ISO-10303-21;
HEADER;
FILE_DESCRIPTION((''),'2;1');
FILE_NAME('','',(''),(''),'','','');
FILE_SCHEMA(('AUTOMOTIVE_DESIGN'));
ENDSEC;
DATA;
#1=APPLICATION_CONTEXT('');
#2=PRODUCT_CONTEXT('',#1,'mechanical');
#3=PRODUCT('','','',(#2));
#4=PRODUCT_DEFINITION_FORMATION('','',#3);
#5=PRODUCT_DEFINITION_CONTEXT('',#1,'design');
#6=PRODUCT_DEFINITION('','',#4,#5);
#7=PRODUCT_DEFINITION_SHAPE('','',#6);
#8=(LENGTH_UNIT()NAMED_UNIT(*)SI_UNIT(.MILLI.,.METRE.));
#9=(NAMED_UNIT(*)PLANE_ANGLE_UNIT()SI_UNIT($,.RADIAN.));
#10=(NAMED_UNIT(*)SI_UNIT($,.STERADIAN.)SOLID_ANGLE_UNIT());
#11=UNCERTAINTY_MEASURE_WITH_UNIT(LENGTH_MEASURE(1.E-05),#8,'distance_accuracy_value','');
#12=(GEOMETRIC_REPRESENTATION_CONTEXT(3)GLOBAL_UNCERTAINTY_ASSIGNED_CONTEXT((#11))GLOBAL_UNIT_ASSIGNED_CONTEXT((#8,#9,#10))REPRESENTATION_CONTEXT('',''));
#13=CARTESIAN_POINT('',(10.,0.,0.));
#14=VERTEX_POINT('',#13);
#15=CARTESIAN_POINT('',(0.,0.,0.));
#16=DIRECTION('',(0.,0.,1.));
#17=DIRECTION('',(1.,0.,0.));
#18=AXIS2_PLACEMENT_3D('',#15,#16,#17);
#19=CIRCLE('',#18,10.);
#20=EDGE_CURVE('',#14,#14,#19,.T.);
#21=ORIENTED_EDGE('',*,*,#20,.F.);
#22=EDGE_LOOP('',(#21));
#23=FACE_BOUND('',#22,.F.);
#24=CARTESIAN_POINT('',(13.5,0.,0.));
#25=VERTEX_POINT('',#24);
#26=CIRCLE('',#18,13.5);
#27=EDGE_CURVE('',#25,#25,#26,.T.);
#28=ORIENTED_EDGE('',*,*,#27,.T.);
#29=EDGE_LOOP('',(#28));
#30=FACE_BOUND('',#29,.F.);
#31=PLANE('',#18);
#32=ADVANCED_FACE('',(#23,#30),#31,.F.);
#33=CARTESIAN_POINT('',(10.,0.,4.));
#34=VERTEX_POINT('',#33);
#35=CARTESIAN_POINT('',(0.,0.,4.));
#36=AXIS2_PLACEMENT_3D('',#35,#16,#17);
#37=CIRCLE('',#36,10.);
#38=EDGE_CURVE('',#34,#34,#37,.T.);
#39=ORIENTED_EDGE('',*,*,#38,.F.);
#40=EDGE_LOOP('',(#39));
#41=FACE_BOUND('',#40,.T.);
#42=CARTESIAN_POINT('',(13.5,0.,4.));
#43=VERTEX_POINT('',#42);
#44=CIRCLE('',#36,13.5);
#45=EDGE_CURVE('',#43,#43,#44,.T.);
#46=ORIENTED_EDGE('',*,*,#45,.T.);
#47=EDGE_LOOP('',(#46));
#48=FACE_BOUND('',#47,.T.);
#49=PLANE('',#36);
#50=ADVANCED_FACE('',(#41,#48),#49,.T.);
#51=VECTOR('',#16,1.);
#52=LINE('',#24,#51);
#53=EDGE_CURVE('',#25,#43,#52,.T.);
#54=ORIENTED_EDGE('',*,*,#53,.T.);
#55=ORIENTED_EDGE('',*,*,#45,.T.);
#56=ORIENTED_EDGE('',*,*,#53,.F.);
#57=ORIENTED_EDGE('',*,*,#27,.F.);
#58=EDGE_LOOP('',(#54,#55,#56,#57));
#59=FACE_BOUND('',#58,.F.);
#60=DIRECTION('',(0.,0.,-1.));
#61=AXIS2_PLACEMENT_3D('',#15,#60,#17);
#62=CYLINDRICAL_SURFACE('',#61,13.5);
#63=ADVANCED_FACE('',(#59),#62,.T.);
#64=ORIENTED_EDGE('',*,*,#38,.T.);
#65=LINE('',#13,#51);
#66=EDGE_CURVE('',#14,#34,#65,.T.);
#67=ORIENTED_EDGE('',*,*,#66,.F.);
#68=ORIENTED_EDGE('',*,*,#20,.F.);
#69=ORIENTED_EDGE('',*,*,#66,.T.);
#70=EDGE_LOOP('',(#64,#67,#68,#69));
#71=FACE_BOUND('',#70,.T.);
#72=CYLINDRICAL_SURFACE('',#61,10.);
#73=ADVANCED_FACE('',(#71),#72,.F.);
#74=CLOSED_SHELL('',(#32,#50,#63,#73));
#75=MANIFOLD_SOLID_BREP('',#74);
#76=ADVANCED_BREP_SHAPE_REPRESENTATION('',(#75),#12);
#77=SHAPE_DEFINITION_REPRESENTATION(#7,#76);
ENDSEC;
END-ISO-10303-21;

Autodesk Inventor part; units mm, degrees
ref_plane "YZ Plane" through (0, 0, 0) normal (1, 0, 0) x (0, 1, 0)
ref_plane "XZ Plane" through (0, 0, 0) normal (0, 1, 0) x (-1, 0, 0)
ref_plane "XY Plane" through (0, 0, 0) normal (0, 0, 1) x (1, 0, 0)
sketch "Sketch1" plane through (0, 0, 0) normal (0, 0, 1) x (1, 0, 0)
  circle A0 centre (0, 0) radius 13.5
  circle A1 centre (0, 0) radius 10
  dimension "d0" = 27
  dimension "d1" = 20
extrude "Extrusion1" add sketch "Sketch1" along normal blind 4
properties part number "bearing_27x20x4"
